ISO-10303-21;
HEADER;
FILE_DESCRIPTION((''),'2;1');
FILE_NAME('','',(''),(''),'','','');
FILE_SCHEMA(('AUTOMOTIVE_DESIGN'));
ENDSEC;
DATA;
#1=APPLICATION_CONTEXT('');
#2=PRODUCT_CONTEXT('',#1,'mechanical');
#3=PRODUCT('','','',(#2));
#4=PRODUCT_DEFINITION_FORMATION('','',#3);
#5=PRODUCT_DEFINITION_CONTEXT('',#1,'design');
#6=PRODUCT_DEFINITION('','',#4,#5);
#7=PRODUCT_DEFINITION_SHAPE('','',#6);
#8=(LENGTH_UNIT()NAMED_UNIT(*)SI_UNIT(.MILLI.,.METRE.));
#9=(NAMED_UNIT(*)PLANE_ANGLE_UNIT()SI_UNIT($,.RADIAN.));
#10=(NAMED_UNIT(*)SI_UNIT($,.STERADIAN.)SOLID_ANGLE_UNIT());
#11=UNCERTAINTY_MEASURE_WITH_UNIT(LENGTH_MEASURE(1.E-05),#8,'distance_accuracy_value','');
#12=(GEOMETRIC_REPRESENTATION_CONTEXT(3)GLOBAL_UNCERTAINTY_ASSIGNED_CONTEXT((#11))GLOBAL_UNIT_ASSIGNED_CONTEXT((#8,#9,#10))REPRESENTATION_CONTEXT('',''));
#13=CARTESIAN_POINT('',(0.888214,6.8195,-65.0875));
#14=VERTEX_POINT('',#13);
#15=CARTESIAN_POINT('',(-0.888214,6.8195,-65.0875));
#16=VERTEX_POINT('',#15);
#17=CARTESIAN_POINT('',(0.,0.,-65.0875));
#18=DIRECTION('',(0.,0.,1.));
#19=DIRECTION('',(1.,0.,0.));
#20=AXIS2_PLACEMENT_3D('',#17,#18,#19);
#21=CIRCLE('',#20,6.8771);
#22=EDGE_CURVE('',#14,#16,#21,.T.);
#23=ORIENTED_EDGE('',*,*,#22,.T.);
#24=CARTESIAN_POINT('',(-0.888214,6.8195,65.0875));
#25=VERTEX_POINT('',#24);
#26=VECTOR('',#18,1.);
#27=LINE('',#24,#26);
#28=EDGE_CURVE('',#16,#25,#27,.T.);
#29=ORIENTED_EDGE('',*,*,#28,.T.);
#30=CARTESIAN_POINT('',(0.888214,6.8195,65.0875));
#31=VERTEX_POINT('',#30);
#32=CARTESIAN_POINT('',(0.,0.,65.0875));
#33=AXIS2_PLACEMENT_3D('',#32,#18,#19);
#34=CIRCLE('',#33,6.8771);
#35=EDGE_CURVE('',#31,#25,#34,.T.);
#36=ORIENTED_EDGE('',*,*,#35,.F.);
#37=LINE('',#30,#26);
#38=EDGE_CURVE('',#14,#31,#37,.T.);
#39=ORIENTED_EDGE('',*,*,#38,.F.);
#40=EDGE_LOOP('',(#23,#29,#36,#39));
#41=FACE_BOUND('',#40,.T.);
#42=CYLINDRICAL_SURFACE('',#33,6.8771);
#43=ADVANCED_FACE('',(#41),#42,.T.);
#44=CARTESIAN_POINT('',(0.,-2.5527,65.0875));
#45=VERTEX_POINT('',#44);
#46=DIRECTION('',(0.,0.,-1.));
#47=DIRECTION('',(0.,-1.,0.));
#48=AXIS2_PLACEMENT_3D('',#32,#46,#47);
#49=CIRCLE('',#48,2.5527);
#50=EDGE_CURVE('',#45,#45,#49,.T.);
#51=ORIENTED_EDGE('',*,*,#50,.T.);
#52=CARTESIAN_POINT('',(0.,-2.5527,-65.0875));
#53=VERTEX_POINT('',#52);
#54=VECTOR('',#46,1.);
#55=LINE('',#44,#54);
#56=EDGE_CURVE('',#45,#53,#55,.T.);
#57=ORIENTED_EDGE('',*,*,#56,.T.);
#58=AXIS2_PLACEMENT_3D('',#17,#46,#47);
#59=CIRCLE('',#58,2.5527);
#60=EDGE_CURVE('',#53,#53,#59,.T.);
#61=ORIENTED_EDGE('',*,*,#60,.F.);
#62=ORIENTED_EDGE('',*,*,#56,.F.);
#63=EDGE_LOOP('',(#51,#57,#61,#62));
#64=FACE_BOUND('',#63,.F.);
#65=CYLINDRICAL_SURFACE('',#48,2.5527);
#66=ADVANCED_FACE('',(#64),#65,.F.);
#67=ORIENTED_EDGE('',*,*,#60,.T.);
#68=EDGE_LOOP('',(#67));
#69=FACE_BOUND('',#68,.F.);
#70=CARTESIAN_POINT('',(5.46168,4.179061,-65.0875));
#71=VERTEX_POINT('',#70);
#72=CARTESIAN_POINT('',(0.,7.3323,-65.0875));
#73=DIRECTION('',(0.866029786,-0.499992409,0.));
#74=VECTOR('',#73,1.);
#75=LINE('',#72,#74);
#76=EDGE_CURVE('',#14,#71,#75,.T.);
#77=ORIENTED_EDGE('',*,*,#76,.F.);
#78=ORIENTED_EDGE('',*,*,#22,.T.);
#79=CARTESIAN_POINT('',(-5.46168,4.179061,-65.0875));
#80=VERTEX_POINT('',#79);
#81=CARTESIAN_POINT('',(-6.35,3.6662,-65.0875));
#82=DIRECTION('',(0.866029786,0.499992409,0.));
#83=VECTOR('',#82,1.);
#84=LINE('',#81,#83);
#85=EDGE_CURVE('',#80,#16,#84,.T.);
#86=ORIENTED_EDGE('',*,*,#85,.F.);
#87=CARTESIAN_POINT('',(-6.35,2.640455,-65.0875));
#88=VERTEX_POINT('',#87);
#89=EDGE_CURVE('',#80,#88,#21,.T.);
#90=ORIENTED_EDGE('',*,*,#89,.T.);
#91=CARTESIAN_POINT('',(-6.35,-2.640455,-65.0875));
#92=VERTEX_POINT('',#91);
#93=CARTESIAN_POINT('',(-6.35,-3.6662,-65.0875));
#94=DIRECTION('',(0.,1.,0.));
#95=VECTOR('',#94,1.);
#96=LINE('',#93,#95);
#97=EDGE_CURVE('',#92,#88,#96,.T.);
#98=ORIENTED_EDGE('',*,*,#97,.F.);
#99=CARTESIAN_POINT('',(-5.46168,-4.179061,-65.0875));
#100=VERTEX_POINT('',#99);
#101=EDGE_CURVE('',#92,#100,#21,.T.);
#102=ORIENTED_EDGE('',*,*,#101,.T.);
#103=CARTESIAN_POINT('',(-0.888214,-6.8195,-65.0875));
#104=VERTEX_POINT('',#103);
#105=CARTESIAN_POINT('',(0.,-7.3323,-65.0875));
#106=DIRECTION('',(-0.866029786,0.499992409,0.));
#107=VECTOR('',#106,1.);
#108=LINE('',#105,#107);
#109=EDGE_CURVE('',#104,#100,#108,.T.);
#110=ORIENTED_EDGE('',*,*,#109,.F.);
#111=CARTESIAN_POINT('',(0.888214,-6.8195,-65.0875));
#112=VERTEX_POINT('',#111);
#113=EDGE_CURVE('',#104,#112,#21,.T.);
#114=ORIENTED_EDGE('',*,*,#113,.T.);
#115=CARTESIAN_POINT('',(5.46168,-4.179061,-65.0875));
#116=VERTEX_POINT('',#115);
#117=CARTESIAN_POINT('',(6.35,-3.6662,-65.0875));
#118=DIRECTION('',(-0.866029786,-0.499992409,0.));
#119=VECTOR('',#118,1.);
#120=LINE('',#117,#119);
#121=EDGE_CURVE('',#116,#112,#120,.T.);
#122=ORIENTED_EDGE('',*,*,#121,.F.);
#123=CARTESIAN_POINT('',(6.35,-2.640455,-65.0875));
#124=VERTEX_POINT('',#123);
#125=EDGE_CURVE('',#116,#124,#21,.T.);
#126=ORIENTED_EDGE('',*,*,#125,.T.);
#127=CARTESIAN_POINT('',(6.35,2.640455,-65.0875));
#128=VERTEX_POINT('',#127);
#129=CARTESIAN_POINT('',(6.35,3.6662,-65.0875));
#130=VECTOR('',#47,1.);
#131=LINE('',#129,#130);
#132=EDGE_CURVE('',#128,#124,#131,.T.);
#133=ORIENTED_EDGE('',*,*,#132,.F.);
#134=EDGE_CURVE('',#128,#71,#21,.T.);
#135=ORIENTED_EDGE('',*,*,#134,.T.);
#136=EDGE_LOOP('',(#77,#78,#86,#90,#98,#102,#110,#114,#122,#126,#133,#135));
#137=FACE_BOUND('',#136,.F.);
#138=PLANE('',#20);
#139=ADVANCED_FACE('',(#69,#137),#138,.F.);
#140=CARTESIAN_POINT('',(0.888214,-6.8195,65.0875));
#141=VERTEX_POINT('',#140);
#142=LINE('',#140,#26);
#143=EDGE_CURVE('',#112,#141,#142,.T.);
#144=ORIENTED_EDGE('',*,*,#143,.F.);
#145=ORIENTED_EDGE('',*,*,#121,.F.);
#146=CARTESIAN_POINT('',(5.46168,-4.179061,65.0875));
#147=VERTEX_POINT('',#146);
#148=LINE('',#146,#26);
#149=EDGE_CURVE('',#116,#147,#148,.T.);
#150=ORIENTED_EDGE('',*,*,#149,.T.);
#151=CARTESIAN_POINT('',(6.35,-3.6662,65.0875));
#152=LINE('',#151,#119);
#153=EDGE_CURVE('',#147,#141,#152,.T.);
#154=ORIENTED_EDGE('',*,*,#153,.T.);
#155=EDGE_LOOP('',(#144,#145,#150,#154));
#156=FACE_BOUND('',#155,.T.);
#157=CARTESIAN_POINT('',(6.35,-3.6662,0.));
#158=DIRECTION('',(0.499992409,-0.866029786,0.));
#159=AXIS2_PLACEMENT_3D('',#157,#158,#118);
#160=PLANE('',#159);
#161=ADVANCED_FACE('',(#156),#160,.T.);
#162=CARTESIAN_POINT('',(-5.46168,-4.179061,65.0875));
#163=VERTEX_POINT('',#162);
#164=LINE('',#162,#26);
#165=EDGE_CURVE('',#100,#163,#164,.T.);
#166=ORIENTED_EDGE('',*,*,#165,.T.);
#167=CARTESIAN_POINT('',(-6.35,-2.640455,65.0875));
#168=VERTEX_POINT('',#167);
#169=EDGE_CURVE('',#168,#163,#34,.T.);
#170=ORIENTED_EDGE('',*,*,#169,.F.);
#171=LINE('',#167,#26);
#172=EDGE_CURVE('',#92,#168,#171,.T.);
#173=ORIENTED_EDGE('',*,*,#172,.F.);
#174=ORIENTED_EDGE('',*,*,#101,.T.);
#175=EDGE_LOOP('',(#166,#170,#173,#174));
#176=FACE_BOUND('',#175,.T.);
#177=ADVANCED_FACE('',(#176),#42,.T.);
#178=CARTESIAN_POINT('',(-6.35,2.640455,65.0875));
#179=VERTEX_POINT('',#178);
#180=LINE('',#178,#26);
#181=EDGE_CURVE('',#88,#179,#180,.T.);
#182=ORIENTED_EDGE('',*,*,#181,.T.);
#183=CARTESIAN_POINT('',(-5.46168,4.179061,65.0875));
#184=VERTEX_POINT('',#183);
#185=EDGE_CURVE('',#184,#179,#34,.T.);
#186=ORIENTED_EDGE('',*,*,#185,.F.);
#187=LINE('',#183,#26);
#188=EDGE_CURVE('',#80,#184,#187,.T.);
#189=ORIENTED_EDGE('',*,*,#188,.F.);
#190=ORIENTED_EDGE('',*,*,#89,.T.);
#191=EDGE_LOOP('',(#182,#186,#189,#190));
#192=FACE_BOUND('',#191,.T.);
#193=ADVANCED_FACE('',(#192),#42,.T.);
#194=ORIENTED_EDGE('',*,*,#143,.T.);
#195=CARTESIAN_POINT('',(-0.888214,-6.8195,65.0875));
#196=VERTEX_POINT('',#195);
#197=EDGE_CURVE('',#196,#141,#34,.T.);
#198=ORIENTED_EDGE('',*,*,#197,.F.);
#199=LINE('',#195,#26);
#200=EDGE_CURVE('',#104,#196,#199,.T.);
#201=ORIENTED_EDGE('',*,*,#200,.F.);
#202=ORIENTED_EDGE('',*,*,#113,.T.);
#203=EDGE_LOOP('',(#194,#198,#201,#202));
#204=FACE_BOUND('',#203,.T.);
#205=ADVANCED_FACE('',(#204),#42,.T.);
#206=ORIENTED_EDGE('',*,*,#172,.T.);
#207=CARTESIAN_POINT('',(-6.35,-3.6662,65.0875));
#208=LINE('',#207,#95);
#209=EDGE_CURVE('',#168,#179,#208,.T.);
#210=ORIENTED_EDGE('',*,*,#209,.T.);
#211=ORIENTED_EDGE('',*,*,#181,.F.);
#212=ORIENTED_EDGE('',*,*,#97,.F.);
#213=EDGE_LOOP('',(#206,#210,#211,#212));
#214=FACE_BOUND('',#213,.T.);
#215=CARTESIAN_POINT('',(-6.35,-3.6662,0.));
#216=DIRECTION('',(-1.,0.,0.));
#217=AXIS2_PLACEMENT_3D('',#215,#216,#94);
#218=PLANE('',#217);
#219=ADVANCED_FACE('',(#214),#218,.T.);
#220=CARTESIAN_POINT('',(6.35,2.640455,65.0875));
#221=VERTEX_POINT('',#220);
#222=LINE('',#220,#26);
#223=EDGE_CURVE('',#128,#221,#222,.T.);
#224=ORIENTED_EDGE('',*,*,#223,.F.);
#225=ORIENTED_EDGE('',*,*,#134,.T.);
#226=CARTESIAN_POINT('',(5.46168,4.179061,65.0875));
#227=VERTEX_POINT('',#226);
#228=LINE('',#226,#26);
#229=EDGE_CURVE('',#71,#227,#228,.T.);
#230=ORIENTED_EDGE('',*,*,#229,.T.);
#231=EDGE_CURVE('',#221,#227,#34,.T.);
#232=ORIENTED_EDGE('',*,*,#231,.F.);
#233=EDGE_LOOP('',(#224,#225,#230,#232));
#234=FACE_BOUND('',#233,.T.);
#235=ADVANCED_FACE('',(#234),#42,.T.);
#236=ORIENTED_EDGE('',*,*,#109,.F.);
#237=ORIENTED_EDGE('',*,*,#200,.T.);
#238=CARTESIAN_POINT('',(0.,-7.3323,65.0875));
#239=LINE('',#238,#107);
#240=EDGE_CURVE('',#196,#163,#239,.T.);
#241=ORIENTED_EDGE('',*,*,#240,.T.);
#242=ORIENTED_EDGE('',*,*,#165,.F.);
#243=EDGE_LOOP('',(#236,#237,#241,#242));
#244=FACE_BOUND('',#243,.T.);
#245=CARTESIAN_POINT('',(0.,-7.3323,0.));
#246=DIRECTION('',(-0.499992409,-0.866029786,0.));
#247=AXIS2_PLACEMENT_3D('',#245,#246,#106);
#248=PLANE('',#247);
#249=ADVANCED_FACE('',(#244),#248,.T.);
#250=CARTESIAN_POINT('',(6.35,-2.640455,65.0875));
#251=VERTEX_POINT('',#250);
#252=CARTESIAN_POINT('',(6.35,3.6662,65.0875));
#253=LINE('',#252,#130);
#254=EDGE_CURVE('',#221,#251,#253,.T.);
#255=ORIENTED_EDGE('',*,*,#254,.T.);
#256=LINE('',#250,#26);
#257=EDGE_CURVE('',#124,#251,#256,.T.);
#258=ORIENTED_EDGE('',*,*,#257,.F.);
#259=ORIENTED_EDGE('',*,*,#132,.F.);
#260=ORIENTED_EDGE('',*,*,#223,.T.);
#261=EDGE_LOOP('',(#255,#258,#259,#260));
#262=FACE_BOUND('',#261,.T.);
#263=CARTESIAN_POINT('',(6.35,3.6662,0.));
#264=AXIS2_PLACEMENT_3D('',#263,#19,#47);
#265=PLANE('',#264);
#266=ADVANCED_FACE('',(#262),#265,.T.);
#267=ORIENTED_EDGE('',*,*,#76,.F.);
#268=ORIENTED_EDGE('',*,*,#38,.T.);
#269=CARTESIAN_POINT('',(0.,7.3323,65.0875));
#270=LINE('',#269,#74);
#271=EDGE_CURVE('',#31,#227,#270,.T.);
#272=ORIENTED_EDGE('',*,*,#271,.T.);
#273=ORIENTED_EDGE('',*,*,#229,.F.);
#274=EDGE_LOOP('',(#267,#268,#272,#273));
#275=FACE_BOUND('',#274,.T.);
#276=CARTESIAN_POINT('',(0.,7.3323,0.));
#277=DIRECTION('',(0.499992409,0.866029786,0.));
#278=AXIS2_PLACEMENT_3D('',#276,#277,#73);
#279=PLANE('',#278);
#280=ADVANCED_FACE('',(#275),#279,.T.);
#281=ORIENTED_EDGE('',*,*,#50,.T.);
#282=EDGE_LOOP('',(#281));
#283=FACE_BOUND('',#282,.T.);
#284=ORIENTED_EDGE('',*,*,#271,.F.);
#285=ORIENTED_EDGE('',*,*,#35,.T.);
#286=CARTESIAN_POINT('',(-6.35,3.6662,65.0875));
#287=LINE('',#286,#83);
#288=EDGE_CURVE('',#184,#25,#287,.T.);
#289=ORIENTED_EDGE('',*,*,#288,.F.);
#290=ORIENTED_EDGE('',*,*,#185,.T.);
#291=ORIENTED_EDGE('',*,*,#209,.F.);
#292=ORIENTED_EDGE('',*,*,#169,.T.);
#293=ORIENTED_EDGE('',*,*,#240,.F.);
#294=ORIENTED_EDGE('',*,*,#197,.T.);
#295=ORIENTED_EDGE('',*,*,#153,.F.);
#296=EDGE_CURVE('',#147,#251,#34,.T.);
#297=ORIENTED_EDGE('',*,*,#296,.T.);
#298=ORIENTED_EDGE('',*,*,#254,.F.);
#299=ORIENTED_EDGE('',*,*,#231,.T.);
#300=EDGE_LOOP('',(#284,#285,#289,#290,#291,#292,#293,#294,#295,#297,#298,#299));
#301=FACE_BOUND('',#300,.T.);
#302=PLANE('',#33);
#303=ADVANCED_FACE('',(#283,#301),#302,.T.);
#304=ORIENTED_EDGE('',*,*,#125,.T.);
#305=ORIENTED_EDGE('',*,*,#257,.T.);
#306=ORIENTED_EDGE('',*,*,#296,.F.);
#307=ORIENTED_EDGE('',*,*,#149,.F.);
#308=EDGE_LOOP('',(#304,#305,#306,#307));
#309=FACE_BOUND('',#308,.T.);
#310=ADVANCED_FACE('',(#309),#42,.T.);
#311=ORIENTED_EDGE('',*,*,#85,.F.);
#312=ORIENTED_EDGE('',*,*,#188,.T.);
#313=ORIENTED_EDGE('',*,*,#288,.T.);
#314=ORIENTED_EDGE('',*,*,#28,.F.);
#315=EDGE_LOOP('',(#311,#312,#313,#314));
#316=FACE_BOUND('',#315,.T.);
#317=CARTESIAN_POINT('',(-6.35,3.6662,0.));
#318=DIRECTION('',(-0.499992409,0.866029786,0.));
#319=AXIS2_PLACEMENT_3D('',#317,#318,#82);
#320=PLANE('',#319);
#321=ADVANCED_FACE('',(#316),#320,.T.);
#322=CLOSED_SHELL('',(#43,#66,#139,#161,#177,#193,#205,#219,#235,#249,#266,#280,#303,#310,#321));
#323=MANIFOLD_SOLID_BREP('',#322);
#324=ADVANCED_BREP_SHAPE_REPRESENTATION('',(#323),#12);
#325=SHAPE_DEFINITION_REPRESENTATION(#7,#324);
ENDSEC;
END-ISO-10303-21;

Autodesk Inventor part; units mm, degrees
ref_plane "YZ Plane" through (0, 0, 0) normal (1, 0, 0) x (0, 1, 0)
ref_plane "XZ Plane" through (0, 0, 0) normal (0, 1, 0) x (-1, 0, 0)
ref_plane "XY Plane" through (0, 0, 0) normal (0, 0, 1) x (1, 0, 0)
sketch "Sketch1" plane through (0, 0, 0) normal (0, 0, 1) x (1, 0, 0)
  line L0 (-6.35, -3.6662) -> (-6.35, 3.6662)
  line L1 (-6.35, 3.6662) -> (0, 7.3323)
  line L2 (0, 7.3323) -> (6.35, 3.6662)
  line L3 (6.35, 3.6662) -> (6.35, -3.6662)
  line L4 (6.35, -3.6662) -> (0, -7.3323)
  line L5 (0, -7.3323) -> (-6.35, -3.6662)
  point P0 (0, 0)
  point P1 (0, 0)
  dimension "Size" = 12.7
extrude "Extrusion1" add sketch "Sketch1" along normal mid plane 130.175
sketch "Sketch3" plane through (0, 0, 65.0875) normal (0, 0, 1) x (1, 0, 0)
  line L0 (-6.35, 3.6662) -> (0, 7.3323) construction
  line L1 (0, 7.3323) -> (6.35, 3.6662) construction
  line L2 (6.35, 3.6662) -> (6.35, -3.6662) construction
  line L3 (6.35, -3.6662) -> (0, -7.3323) construction
  line L4 (0, -7.3323) -> (-6.35, -3.6662) construction
  line L5 (-6.35, -3.6662) -> (-6.35, 3.6662) construction
  point P0 (0, 0)
hole "Hole1" at (0, 0, 65.0875) direction (0, 0, -1) diameter 5.1054 end through all
sketch "Sketch4" plane through (0, 0, 65.0875) normal (0, 0, 1) x (1, 0, 0)
  circle A0 centre (0, 0) radius 2.5527 construction
  line L0 (-6.35, 3.6662) -> (0, 7.3323) construction
  line L1 (0, 7.3323) -> (6.35, 3.6662) construction
  line L2 (6.35, 3.6662) -> (6.35, -3.6662) construction
  line L3 (6.35, -3.6662) -> (0, -7.3323) construction
  line L4 (0, -7.3323) -> (-6.35, -3.6662) construction
  line L5 (-6.35, -3.6662) -> (-6.35, 3.6662) construction
  circle A1 centre (0, 0) radius 6.8771
  circle A2 centre (0, 0) radius 8.89
  dimension "thunder" = 13.7541
  dimension "d16" = 17.78
extrude "Extrusion3" cut sketch "Sketch4" against normal through all
equation "\"bearing\" = 25.4"
properties part number "GP9-006" material "Aluminum 6061"
